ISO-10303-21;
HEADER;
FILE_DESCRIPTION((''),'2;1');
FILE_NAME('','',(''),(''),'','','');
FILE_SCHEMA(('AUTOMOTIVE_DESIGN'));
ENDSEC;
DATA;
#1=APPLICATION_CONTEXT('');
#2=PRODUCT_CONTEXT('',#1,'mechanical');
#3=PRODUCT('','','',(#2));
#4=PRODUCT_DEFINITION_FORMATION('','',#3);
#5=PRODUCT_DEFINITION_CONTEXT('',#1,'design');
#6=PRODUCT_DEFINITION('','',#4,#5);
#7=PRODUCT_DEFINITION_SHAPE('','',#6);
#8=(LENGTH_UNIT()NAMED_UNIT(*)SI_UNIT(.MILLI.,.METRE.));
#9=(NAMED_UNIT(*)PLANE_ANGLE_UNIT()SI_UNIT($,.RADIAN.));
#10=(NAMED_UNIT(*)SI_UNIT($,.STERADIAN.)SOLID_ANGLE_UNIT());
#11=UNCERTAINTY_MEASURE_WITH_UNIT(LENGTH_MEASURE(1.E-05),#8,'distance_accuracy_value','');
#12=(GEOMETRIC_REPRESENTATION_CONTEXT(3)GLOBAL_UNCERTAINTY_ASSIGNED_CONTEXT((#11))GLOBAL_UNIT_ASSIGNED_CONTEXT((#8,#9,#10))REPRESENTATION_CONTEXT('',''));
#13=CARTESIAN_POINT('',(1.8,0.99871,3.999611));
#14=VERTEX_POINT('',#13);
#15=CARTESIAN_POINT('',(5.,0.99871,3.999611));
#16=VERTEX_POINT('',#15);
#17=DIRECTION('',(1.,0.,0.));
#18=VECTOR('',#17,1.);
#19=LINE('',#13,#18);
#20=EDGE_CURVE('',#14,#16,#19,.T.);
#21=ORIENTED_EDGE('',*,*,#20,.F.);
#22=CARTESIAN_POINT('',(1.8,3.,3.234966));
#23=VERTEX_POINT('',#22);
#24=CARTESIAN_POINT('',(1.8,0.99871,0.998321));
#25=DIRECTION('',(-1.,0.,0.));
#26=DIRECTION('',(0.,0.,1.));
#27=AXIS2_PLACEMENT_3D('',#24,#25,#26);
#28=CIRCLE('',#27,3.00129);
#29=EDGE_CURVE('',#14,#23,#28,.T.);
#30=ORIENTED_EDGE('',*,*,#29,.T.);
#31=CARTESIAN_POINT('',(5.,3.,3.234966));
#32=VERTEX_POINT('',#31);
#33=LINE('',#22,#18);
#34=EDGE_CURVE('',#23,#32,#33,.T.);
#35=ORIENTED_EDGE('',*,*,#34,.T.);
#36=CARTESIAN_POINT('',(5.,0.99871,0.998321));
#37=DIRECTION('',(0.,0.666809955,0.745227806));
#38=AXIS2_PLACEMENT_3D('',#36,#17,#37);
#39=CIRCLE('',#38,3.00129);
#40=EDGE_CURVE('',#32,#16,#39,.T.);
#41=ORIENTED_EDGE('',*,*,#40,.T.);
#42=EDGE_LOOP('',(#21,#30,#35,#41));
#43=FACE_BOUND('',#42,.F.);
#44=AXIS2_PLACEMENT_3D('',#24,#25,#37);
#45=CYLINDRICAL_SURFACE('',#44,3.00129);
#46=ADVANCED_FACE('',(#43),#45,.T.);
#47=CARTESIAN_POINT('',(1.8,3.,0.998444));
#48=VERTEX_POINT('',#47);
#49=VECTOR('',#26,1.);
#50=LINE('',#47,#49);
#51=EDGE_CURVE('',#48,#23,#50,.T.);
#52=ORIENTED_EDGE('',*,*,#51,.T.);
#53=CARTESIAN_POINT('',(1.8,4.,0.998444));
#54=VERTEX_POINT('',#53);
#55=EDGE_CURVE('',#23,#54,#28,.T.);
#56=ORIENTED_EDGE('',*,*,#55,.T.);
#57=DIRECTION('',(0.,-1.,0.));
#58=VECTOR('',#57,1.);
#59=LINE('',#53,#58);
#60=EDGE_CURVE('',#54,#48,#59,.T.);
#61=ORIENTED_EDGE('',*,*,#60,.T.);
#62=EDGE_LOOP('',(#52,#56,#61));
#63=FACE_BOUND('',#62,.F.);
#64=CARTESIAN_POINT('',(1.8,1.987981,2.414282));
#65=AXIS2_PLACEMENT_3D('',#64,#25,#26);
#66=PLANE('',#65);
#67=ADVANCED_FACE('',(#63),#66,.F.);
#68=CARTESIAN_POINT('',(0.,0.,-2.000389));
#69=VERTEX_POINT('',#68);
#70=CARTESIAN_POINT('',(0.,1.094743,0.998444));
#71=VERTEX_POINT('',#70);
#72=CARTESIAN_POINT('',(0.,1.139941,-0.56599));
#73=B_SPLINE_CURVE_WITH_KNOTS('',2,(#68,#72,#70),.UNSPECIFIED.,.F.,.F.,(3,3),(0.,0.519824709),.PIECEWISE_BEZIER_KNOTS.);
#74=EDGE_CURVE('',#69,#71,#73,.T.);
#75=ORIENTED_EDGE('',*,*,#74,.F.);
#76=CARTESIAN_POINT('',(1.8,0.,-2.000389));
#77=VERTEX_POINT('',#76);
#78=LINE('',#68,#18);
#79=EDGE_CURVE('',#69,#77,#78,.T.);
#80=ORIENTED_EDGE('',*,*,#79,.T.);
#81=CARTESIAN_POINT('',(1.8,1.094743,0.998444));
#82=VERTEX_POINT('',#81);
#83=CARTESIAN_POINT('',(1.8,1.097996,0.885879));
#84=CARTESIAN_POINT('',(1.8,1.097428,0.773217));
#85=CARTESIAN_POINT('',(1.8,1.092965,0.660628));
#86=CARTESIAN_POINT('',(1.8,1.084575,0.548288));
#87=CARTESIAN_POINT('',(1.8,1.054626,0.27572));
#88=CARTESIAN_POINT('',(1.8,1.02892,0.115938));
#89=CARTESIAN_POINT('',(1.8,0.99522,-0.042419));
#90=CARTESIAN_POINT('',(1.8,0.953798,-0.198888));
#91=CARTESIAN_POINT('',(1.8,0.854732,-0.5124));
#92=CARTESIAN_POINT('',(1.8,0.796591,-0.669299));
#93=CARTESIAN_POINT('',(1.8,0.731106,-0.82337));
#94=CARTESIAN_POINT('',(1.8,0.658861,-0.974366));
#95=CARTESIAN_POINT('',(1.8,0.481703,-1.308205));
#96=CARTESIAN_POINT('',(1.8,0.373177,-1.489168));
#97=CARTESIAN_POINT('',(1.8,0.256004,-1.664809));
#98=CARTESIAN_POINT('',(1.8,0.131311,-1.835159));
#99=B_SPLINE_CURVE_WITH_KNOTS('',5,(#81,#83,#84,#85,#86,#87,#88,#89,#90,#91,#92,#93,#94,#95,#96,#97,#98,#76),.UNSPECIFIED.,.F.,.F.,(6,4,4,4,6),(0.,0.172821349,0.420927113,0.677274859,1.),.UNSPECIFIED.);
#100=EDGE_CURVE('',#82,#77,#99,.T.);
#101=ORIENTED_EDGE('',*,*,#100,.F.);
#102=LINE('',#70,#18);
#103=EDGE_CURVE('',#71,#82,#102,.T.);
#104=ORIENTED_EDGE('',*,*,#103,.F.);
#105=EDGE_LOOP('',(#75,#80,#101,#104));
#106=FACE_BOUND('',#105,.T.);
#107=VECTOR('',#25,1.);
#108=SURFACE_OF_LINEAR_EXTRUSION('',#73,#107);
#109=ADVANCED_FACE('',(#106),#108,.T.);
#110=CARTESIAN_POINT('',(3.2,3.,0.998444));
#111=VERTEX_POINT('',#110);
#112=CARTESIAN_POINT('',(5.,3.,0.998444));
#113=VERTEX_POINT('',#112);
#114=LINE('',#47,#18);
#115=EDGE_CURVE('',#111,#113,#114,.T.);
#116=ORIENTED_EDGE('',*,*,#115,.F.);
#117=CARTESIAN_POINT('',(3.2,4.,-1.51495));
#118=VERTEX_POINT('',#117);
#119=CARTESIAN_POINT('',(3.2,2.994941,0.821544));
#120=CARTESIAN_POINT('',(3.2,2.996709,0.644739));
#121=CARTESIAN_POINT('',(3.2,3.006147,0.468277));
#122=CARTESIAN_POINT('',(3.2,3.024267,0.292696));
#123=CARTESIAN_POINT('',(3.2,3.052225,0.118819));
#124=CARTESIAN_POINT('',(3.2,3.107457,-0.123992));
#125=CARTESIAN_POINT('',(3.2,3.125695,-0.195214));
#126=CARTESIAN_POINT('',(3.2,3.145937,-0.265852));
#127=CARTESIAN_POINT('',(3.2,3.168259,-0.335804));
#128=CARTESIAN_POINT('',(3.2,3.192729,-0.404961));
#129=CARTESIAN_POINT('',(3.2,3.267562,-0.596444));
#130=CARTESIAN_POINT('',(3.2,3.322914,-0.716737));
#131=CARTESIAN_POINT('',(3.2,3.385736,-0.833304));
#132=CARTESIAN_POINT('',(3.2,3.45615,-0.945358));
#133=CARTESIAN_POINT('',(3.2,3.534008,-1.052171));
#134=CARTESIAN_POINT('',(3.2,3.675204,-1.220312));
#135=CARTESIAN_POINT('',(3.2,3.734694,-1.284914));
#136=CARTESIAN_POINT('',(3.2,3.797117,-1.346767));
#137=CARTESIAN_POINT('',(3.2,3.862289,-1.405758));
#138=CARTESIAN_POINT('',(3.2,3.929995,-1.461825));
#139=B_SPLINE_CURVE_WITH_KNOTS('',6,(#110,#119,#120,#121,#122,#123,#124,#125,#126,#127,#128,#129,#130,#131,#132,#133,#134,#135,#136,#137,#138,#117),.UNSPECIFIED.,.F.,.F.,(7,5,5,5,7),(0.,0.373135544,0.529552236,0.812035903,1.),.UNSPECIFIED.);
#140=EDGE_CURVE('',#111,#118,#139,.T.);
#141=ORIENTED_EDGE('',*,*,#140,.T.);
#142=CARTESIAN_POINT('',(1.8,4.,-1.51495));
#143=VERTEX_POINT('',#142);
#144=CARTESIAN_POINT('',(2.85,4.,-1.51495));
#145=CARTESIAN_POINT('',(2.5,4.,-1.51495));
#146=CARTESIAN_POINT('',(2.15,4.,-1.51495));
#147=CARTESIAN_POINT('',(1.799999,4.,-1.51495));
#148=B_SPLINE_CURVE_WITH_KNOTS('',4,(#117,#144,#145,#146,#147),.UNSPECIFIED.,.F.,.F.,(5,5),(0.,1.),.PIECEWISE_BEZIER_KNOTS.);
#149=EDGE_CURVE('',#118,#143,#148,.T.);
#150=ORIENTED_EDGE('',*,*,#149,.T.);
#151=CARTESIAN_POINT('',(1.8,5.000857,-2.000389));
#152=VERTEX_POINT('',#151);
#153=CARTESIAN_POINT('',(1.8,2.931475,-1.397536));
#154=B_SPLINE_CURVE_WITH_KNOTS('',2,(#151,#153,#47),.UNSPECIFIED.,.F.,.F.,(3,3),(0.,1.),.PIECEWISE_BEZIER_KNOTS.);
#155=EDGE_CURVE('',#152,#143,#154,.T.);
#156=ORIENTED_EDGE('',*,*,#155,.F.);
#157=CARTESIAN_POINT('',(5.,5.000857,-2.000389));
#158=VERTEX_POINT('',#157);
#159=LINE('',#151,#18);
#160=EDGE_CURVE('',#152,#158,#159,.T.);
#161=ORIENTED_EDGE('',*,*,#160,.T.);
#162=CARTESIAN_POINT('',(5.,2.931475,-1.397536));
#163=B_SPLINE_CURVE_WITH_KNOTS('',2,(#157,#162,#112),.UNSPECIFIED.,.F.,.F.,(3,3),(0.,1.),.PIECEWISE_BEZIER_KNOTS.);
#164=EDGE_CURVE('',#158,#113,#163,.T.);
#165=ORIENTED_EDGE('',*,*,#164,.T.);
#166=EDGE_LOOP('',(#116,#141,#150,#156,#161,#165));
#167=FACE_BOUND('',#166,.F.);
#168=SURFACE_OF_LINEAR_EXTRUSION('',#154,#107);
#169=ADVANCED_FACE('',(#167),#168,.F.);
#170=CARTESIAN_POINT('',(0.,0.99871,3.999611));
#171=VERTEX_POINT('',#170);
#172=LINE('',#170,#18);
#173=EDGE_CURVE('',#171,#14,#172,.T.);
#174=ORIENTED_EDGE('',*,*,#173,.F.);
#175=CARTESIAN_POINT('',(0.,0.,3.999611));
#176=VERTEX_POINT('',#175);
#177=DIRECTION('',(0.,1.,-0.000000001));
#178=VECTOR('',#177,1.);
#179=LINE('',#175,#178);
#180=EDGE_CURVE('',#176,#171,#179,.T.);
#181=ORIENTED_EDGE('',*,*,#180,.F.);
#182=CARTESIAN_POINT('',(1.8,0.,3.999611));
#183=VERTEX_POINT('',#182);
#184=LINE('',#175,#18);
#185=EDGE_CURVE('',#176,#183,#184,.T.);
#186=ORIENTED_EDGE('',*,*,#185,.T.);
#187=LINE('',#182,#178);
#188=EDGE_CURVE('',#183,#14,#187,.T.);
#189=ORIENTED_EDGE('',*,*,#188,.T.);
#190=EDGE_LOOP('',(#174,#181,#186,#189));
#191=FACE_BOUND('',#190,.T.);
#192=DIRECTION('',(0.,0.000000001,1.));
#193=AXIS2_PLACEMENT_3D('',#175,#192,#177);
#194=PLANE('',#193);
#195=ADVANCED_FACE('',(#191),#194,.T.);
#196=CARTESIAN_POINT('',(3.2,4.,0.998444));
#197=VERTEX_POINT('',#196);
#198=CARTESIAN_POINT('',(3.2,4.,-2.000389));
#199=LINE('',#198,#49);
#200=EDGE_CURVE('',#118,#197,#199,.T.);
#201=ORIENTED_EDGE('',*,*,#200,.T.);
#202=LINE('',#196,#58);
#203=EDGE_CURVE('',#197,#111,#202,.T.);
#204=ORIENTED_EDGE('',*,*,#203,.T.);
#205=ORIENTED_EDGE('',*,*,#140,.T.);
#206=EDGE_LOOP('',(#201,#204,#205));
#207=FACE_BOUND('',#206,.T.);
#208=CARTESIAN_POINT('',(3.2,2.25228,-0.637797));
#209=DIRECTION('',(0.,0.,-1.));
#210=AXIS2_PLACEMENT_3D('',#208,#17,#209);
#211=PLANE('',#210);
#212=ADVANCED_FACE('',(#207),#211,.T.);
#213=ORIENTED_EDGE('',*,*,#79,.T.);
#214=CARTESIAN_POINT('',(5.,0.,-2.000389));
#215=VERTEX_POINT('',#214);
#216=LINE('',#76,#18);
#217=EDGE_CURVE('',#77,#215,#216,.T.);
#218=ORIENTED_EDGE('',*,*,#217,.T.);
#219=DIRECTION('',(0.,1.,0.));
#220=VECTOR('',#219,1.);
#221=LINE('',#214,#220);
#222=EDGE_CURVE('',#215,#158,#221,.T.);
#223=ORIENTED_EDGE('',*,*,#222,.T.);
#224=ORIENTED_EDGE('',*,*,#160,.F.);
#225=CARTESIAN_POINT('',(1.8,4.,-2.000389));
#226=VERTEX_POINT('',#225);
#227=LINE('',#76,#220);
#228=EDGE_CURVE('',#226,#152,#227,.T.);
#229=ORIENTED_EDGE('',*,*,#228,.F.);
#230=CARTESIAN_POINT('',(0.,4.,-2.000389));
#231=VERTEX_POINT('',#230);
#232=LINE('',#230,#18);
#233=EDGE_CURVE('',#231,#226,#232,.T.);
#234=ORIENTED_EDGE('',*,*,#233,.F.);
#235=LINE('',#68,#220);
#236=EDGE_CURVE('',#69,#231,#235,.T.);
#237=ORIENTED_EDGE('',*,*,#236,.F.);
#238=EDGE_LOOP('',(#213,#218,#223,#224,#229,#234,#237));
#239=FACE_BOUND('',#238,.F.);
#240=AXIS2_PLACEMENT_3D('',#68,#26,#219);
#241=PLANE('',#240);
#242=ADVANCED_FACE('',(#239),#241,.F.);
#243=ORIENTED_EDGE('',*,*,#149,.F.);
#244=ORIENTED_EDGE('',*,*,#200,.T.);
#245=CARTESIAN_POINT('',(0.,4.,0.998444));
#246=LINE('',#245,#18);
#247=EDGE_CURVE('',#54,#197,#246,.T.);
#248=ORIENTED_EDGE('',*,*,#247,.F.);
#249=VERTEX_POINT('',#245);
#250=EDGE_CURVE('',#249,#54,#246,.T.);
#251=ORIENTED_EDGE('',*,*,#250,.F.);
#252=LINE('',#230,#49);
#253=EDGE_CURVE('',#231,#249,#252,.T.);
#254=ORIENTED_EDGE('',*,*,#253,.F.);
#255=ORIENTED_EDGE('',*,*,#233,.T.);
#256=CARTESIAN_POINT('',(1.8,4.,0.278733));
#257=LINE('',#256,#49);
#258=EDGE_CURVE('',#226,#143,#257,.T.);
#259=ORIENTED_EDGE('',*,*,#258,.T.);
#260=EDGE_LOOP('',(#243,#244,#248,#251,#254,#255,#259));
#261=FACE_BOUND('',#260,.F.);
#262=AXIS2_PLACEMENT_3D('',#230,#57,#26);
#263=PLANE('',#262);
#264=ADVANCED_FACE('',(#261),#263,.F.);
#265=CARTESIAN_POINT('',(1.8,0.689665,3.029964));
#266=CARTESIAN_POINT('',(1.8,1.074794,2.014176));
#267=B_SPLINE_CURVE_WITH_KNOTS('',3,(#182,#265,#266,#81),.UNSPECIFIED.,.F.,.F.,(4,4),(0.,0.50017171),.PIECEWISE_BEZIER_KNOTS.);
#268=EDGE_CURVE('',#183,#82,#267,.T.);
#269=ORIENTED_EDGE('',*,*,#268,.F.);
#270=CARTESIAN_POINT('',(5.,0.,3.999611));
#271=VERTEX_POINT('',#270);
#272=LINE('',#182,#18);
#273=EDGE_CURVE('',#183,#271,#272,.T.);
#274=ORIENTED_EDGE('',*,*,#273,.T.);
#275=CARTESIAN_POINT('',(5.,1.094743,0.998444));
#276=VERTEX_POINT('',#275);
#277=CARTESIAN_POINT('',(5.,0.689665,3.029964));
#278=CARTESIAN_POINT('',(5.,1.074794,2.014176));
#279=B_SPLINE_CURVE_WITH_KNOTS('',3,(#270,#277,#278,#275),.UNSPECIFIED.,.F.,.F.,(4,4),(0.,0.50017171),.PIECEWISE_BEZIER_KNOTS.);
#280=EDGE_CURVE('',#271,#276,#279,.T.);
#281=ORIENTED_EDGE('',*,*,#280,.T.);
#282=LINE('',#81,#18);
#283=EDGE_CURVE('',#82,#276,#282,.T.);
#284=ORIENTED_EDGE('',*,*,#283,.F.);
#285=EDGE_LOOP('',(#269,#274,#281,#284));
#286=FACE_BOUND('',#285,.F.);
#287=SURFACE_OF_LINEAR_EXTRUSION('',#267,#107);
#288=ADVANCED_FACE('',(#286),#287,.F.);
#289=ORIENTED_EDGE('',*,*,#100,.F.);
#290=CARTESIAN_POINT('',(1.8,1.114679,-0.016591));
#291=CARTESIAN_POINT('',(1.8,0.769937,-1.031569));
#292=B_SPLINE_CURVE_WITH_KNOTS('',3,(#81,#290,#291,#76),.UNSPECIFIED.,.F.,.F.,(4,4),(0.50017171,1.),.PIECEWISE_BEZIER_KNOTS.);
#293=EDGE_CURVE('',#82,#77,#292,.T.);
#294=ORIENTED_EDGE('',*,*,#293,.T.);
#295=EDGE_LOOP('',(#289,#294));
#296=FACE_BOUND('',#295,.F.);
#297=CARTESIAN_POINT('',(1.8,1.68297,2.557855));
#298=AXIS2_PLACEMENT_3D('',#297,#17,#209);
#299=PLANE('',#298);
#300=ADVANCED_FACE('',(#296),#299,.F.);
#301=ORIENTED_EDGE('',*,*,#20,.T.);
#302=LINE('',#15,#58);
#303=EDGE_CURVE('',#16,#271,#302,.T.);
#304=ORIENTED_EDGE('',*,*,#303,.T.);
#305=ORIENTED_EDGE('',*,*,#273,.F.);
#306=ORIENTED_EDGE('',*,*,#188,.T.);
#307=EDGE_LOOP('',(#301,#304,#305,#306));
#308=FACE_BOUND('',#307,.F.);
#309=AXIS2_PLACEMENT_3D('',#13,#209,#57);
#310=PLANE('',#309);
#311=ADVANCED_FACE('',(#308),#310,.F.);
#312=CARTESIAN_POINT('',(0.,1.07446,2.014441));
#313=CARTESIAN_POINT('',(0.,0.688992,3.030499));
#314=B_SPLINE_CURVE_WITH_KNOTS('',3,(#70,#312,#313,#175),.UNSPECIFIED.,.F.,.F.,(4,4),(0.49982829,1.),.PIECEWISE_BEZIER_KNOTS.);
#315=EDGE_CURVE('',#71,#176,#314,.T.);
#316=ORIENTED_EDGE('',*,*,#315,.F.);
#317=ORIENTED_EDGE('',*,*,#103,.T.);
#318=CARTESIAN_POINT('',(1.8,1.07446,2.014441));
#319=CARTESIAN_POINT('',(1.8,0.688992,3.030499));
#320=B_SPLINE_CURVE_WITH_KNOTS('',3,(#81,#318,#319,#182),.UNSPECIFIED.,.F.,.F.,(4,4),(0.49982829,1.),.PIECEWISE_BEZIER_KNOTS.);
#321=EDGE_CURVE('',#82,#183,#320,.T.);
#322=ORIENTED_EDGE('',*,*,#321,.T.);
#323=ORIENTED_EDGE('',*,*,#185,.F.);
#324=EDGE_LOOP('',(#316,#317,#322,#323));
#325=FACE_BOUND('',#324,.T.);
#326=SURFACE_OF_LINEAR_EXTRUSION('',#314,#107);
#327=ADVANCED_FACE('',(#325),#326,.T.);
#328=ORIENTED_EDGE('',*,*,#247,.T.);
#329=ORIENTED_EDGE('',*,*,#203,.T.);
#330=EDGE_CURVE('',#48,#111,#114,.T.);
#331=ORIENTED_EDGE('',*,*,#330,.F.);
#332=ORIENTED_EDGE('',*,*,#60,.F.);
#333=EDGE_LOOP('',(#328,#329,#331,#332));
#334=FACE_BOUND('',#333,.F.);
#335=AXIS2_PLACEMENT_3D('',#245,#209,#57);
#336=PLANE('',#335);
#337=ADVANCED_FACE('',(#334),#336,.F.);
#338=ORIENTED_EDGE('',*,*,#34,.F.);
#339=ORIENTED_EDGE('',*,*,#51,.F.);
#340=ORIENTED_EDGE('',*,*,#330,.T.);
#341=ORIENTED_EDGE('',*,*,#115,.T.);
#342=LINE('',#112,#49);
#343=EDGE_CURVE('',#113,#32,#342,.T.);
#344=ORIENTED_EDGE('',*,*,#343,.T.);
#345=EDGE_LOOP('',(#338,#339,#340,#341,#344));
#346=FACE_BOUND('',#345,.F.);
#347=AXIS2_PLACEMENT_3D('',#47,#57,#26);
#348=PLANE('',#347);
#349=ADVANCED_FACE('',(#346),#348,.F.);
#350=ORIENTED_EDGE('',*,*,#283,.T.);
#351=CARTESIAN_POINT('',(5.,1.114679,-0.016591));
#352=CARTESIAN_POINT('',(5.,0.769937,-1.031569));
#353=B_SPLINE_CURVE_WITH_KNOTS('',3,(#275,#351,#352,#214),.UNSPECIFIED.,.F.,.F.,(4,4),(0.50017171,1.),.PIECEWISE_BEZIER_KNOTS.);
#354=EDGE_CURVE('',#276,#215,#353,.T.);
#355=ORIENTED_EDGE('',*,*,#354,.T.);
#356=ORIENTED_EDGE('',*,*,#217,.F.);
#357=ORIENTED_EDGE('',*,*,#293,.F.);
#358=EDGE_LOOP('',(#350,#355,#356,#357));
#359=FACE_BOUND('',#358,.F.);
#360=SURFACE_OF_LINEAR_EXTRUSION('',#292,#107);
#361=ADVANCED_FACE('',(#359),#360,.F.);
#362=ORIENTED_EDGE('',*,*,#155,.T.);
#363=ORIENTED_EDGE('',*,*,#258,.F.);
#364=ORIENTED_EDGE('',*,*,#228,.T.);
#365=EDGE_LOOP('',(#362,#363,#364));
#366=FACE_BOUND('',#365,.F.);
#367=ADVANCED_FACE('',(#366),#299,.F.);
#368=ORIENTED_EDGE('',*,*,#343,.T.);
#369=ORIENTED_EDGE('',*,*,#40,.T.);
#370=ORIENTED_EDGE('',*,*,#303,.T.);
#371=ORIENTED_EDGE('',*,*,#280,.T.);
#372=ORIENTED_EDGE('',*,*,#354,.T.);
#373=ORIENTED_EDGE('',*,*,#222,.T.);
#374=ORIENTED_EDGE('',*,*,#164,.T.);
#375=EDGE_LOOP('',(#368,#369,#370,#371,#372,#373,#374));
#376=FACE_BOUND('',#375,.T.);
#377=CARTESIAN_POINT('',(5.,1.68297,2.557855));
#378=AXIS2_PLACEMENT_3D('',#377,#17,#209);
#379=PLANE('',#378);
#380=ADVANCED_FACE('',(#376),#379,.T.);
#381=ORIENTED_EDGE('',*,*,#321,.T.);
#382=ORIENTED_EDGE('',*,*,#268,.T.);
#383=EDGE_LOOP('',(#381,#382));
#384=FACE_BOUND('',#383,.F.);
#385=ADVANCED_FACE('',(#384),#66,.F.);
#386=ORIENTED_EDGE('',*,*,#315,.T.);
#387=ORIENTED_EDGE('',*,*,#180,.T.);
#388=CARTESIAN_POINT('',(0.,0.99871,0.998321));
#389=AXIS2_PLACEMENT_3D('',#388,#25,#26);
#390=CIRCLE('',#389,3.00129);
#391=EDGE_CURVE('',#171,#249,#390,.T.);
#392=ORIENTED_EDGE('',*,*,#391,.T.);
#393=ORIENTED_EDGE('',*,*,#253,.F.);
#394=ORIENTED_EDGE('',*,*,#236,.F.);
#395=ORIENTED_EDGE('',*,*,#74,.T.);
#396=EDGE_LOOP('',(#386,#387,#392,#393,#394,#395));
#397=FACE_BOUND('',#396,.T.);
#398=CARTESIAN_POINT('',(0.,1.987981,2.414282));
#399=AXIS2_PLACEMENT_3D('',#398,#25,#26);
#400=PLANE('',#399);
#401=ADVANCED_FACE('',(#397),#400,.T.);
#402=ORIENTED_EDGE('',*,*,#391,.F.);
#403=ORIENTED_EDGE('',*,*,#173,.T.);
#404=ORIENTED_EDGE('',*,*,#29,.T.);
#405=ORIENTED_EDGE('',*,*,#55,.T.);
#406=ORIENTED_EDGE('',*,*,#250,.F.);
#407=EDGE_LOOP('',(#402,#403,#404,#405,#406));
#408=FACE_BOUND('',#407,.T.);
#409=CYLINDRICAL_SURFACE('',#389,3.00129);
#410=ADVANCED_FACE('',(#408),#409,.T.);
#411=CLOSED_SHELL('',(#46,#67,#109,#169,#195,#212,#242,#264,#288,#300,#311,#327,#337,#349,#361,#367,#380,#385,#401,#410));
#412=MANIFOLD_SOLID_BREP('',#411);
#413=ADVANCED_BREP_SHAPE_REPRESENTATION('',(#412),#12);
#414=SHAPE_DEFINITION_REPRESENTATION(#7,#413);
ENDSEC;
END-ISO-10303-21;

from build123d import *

# Parameters (mm, degrees)
BOSS_EXTRUDE1_DEPTH = 3.2
BOSS_EXTRUDE2_DEPTH = 1.8
BOSS_EXTRUDE3_DEPTH = 3.2


with BuildPart() as part:
    # Sketch1 → Boss-Extrude1 (new body)
    with BuildSketch(Plane(origin=(0, 0, 0), x_dir=(0, 0, -1), z_dir=(1, 0, 0))):
        with BuildLine():
            Line((2.000388773, 4), (-0.998443773, 4))
            Line((-0.998443773, 4), (-0.998443773, 1.094743417))
            add(Edge.make_bspline(
                [(2.000388773, 0), (0.565989501, 1.139941433), (-0.998443773, 1.094743417)],
                knots=[0, 0, 0, 0.519824709, 0.519824709, 0.519824709], degree=2))
            Line((2.000388773, 0), (2.000388773, 4))
        make_face()
    extrude(amount=BOSS_EXTRUDE1_DEPTH)

    # Sketch2 → Boss-Extrude2 (add)
    with BuildSketch(Plane.ZY):
        with BuildLine():
            add(Edge.make_bspline(
                [(0.998443773, 1.094743417), (2.014440988, 1.074460094), (3.030499337, 0.688991657), (3.999611226, 0)],
                knots=[0.49982829, 0.49982829, 0.49982829, 0.49982829, 1, 1, 1, 1], degree=3))
            Line((3.999611227, 0), (3.999611226, 0.998709843))
            ThreePointArc((3.999611226, 0.998709843), (3.120597073, 3.120899083), (0.998443773, 4))
            Line((0.998443773, 4), (0.998443773, 1.094743417))
        make_face()
    extrude(amount=-BOSS_EXTRUDE2_DEPTH)

    # Sketch3 → Boss-Extrude3 (add)
    with BuildSketch(Plane(origin=(1.8, 0, 0), x_dir=(0, 0, -1), z_dir=(1, 0, 0))):
        with BuildLine():
            add(Edge.make_bspline(
                [(-3.999611227, 0), (-3.02996408, 0.689665176), (-2.014175759, 1.074793835), (-0.998443773, 1.094743417)],
                knots=[0, 0, 0, 0, 0.50017171, 0.50017171, 0.50017171, 0.50017171], degree=3))
            Line((-0.998443773, 1.094743417), (-0.998443773, 3))
            Line((-0.998443773, 3), (-3.234965952, 3))
            ThreePointArc((-3.234965952, 3), (-3.801940417, 2.069905984), (-3.999611226, 0.998709843))
            Line((-3.999611227, 0.998709843), (-3.999611227, 0))
        make_face()
        with BuildLine():
            add(Edge.make_bspline(
                [(-0.998443773, 1.094743417), (0.016590806, 1.114679302), (1.031569126, 0.769937407), (2.000388773, 0)],
                knots=[0.50017171, 0.50017171, 0.50017171, 0.50017171, 1, 1, 1, 1], degree=3))
            Line((2.000388773, 0), (2.000388773, 5.000856569))
            add(Edge.make_bspline(
                [(2.000388773, 5.000856569), (1.39753578, 2.931475432), (-0.998443773, 3)],
                knots=[0, 0, 0, 1, 1, 1], degree=2))
            Line((-0.998443773, 3), (-0.998443773, 1.094743417))
        make_face()
    extrude(amount=BOSS_EXTRUDE3_DEPTH)


solid = part.part
